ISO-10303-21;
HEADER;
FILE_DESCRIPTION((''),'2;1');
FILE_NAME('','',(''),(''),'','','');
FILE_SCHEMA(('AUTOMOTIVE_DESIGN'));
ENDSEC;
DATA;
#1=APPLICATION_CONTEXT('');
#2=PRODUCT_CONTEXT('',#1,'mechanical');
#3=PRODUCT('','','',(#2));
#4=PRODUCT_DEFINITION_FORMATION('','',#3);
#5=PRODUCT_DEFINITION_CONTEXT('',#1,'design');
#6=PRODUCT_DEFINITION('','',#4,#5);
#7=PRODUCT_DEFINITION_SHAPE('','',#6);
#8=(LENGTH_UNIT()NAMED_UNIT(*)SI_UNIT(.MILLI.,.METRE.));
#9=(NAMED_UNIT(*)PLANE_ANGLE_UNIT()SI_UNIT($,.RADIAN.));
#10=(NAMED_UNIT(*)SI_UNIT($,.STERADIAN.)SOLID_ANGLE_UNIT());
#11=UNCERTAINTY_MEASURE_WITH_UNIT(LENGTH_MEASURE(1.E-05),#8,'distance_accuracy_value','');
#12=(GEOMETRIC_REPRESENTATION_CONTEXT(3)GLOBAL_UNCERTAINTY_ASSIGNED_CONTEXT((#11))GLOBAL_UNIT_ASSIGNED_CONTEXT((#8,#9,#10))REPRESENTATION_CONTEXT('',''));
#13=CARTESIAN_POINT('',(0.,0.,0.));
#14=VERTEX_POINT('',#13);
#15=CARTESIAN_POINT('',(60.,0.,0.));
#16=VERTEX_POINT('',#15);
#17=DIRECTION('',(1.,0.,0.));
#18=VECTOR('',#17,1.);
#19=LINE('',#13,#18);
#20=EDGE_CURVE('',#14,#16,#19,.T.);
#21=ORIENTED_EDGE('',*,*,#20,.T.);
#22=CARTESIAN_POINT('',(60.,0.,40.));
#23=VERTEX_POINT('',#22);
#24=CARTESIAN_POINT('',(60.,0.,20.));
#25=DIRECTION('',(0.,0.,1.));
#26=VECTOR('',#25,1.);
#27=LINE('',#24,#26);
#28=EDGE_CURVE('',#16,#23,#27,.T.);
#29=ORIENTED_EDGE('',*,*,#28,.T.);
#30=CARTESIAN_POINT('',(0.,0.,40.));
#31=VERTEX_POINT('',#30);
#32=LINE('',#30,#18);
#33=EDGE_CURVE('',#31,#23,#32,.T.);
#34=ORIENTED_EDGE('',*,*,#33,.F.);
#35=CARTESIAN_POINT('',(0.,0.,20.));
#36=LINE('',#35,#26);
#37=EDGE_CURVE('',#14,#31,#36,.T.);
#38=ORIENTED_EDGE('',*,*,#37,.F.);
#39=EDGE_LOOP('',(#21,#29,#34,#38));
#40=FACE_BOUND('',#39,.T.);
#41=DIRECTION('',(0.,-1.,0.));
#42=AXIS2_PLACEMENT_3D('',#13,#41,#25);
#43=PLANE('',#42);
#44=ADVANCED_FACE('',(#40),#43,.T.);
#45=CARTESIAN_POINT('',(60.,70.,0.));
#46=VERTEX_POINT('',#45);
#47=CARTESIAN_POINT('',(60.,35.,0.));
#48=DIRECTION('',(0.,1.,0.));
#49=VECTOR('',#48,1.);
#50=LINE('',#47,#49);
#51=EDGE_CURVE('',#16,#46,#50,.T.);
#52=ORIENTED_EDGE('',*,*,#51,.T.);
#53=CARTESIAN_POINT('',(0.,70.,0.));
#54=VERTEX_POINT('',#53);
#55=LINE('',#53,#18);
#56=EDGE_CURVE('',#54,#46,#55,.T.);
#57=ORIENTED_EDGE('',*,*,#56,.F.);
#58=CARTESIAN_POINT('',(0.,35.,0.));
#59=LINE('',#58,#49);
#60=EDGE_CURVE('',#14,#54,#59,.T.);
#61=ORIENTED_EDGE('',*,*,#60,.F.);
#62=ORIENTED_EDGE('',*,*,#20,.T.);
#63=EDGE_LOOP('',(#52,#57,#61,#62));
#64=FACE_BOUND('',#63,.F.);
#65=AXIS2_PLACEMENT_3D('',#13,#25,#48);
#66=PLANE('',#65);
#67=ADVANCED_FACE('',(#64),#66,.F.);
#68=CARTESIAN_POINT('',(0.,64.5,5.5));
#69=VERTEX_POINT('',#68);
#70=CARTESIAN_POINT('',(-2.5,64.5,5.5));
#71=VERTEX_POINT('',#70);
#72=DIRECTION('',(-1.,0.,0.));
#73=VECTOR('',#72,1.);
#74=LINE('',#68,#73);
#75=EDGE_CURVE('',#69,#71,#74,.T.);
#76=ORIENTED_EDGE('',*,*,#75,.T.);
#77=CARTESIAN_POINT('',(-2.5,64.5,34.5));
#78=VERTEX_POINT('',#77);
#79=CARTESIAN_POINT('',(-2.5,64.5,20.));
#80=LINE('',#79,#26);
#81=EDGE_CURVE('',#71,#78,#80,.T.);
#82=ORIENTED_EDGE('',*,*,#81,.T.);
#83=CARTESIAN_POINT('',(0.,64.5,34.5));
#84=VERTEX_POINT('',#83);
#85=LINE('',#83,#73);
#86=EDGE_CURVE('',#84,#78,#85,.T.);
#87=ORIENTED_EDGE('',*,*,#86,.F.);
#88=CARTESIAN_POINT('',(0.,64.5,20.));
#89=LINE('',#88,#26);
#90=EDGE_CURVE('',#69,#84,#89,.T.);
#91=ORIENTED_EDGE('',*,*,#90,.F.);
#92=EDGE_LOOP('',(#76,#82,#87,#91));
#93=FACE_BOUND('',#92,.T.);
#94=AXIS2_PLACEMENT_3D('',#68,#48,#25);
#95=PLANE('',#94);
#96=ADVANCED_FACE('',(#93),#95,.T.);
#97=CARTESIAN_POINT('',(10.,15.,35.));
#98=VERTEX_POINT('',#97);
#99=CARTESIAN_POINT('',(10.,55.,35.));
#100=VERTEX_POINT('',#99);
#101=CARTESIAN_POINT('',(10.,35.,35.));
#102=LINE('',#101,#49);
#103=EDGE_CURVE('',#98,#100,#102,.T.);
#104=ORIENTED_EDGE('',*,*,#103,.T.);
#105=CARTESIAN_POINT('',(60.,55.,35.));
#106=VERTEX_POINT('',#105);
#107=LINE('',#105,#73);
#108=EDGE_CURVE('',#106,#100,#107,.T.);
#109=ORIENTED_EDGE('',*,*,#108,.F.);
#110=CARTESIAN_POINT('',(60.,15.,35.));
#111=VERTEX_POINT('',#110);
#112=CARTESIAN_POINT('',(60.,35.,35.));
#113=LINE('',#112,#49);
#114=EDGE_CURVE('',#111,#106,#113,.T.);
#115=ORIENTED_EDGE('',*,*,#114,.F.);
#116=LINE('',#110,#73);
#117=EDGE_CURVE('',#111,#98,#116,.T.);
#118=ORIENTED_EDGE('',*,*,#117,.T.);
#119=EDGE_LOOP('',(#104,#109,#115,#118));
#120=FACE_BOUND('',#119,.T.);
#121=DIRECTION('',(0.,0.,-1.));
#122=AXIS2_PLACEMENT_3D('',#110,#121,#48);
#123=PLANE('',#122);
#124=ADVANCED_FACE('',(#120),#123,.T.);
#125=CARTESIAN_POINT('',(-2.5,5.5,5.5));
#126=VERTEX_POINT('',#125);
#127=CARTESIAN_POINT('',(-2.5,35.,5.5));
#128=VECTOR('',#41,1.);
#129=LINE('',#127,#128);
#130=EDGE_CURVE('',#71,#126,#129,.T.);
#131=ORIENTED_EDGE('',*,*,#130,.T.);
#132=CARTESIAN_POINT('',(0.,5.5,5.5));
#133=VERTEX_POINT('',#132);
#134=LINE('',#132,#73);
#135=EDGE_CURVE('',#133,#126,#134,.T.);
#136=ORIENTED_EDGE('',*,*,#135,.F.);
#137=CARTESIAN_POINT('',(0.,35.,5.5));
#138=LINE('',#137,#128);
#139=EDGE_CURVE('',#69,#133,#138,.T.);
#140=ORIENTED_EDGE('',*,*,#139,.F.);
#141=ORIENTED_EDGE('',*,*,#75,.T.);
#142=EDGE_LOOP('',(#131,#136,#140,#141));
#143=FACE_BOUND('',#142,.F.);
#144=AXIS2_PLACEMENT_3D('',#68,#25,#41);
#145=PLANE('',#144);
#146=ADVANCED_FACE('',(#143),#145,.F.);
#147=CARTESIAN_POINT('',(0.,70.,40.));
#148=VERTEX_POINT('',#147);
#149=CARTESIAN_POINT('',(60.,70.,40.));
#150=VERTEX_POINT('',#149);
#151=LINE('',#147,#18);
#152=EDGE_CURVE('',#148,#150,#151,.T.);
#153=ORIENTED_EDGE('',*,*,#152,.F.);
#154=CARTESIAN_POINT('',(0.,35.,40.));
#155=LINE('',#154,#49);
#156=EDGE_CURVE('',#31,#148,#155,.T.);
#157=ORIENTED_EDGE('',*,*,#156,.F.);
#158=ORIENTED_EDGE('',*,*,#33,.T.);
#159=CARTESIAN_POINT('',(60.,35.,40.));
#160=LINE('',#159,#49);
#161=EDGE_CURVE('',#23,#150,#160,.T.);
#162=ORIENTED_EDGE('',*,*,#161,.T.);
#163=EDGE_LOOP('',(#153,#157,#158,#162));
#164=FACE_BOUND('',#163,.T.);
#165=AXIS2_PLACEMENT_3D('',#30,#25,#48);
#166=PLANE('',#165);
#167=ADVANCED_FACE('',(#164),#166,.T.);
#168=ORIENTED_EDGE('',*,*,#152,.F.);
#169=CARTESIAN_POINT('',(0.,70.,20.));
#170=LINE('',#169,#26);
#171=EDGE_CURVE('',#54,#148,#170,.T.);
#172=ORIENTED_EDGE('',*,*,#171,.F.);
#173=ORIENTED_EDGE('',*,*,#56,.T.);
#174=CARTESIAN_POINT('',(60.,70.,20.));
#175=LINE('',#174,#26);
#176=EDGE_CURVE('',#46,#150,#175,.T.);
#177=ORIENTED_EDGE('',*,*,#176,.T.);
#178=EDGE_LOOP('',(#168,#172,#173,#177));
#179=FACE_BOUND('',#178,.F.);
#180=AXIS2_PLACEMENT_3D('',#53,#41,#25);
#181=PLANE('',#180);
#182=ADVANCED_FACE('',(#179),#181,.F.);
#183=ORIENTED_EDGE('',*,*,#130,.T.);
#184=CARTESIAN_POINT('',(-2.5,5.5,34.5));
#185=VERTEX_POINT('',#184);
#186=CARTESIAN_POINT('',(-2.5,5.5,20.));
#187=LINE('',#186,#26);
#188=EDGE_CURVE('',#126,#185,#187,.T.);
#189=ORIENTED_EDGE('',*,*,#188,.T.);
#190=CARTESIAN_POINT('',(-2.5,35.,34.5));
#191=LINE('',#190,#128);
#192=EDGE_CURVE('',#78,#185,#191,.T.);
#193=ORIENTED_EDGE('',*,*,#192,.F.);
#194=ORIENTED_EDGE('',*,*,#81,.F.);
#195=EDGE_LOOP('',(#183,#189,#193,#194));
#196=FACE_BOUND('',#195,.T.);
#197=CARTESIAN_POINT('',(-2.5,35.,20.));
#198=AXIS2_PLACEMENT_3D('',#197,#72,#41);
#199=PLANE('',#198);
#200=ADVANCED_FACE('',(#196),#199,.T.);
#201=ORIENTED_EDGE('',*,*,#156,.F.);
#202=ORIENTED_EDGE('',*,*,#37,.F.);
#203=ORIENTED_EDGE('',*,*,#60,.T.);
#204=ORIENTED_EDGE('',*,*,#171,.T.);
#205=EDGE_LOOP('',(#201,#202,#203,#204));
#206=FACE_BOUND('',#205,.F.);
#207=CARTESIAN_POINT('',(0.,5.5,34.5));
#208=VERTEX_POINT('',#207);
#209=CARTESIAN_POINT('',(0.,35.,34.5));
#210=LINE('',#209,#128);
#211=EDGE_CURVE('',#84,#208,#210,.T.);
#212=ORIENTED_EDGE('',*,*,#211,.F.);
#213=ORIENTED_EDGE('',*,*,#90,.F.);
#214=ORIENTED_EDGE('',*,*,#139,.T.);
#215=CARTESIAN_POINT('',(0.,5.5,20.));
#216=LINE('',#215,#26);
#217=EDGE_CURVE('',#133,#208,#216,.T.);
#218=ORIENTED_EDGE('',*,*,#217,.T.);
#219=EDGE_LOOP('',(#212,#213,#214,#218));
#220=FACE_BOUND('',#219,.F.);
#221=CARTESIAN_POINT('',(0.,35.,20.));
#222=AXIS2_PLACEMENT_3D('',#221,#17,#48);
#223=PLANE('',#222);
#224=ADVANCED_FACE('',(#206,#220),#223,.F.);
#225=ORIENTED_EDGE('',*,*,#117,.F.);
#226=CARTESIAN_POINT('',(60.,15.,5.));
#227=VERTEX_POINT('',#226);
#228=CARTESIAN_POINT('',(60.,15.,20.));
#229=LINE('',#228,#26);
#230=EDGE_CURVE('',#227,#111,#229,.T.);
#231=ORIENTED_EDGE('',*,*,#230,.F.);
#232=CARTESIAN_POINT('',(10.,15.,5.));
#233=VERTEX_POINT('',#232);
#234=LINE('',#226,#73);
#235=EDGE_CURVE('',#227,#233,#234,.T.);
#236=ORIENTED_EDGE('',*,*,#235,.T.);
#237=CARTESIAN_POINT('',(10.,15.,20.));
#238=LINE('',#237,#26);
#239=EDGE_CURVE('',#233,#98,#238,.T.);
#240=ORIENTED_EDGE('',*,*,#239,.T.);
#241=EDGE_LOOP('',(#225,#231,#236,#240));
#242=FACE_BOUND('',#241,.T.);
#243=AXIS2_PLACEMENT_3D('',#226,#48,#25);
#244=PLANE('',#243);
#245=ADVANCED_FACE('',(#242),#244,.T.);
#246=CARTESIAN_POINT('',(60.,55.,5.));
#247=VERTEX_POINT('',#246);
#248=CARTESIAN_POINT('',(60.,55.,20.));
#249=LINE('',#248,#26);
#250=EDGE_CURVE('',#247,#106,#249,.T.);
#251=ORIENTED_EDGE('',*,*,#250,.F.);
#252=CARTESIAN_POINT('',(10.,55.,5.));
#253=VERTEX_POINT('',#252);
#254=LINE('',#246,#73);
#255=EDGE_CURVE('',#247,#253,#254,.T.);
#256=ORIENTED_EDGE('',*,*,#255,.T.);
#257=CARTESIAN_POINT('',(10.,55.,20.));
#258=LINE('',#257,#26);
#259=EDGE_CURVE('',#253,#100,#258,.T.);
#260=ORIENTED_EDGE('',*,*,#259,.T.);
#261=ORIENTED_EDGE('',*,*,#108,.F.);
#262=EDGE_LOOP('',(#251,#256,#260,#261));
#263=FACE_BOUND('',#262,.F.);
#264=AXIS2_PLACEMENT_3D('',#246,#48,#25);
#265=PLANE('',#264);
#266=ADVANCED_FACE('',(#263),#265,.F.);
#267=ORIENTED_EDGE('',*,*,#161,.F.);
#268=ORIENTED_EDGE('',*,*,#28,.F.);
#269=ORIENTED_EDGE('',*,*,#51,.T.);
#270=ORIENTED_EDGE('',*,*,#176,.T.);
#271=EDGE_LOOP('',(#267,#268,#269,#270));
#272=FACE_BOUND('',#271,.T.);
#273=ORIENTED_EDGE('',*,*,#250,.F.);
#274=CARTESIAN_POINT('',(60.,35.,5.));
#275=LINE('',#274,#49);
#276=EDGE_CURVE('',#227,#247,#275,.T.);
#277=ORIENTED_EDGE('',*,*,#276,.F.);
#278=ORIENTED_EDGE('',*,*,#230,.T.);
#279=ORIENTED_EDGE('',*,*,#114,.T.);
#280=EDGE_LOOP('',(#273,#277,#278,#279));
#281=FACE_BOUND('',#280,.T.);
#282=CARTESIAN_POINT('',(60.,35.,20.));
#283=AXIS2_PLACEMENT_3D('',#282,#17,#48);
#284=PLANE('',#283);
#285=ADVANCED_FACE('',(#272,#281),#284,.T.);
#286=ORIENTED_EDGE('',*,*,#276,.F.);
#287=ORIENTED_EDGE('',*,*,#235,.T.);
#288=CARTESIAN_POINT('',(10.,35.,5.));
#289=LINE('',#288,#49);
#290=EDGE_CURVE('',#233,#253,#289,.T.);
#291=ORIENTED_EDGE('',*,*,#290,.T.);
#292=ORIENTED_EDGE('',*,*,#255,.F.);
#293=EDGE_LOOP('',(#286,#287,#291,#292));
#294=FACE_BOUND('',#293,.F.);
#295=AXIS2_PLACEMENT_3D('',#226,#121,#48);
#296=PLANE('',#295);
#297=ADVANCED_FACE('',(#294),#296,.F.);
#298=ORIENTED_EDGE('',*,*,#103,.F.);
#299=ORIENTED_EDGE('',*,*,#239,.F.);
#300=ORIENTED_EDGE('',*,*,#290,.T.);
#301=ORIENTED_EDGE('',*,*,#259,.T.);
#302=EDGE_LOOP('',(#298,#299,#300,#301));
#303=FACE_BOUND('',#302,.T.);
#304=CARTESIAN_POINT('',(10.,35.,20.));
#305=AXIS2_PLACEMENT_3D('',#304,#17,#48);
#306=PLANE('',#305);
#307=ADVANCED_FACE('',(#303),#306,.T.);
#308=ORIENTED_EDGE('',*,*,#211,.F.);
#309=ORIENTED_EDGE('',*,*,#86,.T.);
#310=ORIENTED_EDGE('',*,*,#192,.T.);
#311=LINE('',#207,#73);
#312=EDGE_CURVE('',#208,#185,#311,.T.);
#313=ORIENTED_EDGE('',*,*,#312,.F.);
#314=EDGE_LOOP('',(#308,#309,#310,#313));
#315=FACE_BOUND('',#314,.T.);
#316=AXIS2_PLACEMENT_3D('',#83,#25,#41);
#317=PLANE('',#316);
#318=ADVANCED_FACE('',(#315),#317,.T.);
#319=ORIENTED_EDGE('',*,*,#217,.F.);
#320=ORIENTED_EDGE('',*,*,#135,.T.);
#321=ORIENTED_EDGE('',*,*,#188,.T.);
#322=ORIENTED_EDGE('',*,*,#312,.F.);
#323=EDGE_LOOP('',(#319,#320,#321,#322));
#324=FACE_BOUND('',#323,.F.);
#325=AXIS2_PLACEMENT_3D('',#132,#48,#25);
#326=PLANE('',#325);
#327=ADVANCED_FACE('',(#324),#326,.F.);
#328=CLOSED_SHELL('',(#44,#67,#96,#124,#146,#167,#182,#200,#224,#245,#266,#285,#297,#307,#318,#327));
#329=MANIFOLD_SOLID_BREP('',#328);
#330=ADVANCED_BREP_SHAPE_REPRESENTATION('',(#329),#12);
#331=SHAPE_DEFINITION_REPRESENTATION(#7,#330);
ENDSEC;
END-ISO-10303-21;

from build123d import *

# Parameters (mm, degrees)
F0_W     = 70
F0_H     = 40
F1_DEPTH = 60
F2_W     = 40
F2_H     = 30
F3_DEPTH = 50
F4_W     = 59
F4_H     = 29
F5_DEPTH = 2.5


with BuildPart() as f1:
    # F0 (on Right) → F1 (new body)
    with BuildSketch(Plane.YZ):
        with Locations((35, 20)):
            Rectangle(F0_W, F0_H)
    extrude(amount=F1_DEPTH)

    # F2 (on face) → F3 (cut)
    with BuildSketch(Plane.YZ.offset(60)):
        with Locations((35, 20)):
            Rectangle(F2_W, F2_H)
    extrude(amount=-F3_DEPTH, mode=Mode.SUBTRACT)

    # F4 (on face) → F5 (join)
    with BuildSketch(Plane(origin=(0, 0, 0), x_dir=(0, -1, 0), z_dir=(-1, 0, 0))):
        with Locations((-35, 20)):
            Rectangle(F4_W, F4_H)
    extrude(amount=F5_DEPTH)


solid = f1.part
